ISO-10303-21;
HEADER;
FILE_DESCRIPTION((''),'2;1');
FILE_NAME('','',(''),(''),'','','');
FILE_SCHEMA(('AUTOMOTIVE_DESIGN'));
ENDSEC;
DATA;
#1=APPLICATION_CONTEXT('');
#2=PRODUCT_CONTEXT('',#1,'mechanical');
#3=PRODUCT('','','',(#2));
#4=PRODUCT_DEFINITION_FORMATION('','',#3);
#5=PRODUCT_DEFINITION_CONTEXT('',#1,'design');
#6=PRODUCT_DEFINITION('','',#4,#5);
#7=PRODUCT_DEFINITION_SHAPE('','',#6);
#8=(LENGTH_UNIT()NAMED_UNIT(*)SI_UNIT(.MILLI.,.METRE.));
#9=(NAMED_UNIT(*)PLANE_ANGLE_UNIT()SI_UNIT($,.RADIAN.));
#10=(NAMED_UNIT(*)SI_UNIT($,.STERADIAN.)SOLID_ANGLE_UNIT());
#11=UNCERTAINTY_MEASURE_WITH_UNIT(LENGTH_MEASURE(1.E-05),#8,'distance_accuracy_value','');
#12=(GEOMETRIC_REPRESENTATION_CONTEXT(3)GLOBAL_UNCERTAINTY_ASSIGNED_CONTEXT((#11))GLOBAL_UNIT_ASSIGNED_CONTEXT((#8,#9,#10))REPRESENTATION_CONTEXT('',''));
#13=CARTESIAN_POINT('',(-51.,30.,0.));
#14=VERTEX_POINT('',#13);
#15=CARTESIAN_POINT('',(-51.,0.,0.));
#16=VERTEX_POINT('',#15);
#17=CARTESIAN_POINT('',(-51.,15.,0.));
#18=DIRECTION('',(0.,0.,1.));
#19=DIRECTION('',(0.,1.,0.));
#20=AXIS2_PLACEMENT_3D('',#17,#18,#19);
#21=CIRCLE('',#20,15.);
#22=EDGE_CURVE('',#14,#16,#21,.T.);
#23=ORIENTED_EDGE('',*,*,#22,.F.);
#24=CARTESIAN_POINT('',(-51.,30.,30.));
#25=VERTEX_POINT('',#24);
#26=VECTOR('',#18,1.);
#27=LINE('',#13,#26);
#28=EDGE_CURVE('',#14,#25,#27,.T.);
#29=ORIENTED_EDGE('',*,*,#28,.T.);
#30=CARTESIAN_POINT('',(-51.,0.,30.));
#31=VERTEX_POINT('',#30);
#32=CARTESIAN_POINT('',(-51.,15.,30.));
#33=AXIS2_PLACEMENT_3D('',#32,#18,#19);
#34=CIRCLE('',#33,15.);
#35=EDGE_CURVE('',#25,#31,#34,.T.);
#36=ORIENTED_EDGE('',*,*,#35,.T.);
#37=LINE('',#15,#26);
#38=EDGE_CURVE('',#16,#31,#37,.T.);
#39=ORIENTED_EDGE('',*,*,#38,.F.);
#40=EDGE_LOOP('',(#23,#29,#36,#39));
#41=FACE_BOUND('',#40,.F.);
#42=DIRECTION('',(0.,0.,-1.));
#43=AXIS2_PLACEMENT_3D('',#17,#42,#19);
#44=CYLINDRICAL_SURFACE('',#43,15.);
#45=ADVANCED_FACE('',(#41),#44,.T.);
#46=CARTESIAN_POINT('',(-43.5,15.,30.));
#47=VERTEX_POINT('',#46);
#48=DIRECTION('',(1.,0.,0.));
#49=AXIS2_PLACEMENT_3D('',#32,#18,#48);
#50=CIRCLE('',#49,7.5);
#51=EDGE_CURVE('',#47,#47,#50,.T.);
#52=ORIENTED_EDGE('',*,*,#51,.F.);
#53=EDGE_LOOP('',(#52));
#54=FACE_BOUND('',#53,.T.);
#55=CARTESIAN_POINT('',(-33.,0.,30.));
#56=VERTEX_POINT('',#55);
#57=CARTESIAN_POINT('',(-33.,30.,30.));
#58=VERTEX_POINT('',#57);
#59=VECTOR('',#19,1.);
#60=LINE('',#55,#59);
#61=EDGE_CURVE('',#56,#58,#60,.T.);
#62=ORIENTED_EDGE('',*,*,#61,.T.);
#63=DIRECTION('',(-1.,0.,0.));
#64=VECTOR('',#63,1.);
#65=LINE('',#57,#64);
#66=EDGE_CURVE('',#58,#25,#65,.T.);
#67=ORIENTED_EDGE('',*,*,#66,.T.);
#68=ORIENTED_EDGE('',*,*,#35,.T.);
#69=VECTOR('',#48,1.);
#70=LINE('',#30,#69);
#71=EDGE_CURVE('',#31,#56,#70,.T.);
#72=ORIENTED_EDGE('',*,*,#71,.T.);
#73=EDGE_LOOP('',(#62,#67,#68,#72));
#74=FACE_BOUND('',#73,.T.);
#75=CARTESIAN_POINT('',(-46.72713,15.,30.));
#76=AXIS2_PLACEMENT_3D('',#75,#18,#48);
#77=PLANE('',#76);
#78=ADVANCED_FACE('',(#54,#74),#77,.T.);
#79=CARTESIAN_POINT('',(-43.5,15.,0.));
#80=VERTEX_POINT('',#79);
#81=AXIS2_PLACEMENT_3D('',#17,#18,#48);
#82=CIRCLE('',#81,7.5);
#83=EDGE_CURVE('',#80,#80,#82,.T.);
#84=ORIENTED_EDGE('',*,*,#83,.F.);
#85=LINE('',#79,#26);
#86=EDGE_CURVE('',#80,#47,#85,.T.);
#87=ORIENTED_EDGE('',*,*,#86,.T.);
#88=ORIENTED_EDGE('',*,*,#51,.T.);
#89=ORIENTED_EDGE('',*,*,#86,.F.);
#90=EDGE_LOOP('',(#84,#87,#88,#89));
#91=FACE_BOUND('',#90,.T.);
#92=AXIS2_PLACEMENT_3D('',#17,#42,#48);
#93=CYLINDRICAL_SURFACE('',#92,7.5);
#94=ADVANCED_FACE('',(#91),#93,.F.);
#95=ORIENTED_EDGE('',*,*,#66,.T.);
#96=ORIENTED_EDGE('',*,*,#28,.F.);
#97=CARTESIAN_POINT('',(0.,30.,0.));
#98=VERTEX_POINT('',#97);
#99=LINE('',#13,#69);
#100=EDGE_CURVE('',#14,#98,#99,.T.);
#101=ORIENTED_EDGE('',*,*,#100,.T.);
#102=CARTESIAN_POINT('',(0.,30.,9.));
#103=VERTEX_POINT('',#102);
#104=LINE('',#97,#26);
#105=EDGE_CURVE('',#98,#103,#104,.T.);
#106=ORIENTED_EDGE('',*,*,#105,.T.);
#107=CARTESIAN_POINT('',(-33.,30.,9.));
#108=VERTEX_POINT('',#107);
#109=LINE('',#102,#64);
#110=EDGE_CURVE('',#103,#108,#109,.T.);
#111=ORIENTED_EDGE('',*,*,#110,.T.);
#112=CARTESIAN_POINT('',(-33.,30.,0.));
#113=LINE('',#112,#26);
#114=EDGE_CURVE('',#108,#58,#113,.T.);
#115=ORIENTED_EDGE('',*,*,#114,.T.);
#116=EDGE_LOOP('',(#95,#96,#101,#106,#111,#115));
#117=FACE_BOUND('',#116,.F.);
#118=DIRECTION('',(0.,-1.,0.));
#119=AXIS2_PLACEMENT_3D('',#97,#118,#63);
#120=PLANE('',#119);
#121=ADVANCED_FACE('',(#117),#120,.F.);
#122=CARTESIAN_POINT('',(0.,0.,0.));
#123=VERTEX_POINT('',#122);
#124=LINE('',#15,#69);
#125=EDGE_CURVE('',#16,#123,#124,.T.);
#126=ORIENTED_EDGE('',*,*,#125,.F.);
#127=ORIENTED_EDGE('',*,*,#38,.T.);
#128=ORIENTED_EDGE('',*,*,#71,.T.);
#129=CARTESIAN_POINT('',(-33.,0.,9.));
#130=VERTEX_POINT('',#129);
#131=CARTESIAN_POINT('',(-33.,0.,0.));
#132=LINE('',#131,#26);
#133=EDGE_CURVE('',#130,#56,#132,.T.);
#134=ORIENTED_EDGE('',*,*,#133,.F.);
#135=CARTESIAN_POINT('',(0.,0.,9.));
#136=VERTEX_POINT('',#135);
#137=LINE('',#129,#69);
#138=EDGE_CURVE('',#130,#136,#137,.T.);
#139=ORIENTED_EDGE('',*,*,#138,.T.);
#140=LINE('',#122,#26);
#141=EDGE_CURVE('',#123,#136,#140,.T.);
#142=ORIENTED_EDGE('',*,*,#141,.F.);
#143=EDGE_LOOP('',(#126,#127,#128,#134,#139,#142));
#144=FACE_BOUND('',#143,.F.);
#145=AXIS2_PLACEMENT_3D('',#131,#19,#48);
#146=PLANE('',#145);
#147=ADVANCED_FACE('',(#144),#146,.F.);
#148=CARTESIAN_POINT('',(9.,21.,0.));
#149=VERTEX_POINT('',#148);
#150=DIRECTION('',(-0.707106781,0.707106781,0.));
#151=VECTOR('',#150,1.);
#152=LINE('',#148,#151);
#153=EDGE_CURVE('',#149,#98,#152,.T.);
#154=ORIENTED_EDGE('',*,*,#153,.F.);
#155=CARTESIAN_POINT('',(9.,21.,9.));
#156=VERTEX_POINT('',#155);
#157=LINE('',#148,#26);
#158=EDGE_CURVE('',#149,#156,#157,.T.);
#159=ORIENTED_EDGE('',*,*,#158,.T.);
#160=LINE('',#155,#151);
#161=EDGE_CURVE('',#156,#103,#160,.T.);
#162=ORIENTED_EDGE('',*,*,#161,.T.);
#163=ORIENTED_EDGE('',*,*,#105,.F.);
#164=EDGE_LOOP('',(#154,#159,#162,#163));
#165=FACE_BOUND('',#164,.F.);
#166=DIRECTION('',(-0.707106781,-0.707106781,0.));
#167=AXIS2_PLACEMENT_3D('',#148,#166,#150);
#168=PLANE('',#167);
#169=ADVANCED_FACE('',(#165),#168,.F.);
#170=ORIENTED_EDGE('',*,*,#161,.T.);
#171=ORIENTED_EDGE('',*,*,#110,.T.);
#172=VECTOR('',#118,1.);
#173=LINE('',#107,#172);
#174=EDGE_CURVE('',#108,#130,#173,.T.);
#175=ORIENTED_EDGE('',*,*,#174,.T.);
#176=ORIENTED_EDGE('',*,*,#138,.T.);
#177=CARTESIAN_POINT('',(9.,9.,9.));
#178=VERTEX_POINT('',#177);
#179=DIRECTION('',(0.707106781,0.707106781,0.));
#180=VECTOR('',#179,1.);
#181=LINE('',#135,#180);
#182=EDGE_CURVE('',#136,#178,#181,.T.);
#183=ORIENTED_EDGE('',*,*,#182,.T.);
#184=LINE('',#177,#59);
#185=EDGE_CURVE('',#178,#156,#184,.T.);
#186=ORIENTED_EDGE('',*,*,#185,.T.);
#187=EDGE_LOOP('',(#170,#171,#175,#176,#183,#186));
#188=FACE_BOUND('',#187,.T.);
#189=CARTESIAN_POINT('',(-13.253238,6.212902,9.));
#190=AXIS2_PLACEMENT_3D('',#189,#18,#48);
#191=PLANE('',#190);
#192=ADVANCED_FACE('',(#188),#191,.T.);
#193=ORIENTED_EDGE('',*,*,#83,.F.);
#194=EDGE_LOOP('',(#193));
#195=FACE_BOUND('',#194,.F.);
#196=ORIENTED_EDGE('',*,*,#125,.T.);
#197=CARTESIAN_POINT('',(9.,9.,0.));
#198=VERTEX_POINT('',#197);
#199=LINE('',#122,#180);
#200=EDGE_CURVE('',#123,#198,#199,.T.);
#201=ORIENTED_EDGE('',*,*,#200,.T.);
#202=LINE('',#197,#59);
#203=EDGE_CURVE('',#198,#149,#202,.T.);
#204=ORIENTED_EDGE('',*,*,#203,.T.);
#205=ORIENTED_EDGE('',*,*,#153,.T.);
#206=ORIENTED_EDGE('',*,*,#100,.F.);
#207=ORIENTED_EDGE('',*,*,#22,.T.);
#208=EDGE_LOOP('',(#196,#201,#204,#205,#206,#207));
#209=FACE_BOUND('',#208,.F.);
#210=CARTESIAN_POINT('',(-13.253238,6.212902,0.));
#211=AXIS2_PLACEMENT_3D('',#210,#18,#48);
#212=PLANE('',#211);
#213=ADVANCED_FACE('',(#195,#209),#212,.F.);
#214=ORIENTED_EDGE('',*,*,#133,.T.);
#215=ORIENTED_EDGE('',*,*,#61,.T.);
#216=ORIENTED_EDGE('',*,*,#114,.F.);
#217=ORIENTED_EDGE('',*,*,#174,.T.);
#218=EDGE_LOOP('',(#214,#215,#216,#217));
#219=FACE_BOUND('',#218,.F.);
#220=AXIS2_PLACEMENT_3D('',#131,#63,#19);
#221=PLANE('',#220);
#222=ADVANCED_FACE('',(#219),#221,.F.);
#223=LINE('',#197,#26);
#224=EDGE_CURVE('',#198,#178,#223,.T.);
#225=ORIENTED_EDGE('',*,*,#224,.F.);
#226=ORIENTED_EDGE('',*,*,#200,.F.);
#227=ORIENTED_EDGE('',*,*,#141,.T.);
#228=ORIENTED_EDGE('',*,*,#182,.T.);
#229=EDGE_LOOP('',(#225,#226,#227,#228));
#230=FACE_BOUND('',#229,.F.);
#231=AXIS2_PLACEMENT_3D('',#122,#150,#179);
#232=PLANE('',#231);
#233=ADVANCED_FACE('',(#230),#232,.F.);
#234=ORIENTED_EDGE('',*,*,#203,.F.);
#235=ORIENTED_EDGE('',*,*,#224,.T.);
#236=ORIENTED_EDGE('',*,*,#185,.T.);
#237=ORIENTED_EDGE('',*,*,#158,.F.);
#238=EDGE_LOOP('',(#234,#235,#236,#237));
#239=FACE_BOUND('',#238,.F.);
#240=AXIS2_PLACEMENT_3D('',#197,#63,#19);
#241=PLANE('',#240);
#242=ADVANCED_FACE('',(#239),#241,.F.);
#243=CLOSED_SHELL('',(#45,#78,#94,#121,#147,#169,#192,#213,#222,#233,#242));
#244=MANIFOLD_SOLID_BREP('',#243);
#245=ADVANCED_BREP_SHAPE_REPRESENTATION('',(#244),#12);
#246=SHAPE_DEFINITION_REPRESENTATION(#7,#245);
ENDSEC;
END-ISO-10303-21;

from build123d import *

# Parameters (mm, degrees)
F0_R     = 7.5
F1_DEPTH = 30
F0_W     = 42
F0_H     = 7
F2_DEPTH = 9


with BuildPart() as f1:
    # F0 (on Top) → F1 (new body)
    with BuildSketch(Plane.XY):
        with BuildLine():
            Line((-51, 0), (-33, 0))
            Line((-33, 0), (-33, 11.5))
            Line((-33, 11.5), (-33, 18.5))
            Line((-33, 18.5), (-33, 30))
            Line((-33, 30), (-51, 30))
            ThreePointArc((-51, 30), (-66, 15), (-51, 0))
        make_face()
        with Locations((-51, 15)):
            Circle(F0_R, mode=Mode.SUBTRACT)
    extrude(amount=F1_DEPTH)

    # F0 (on Top) → F2 (join)
    with BuildSketch(Plane.XY):
        Polygon((-33, 0), (0, 0), (9, 9), (9, 11.5), (-33, 11.5), align=None)
        Polygon((-33, 18.5), (9, 18.5), (9, 21), (0, 30), (-33, 30), align=None)
        with Locations((-12, 15)):
            Rectangle(F0_W, F0_H)
    extrude(amount=F2_DEPTH)


solid = f1.part
